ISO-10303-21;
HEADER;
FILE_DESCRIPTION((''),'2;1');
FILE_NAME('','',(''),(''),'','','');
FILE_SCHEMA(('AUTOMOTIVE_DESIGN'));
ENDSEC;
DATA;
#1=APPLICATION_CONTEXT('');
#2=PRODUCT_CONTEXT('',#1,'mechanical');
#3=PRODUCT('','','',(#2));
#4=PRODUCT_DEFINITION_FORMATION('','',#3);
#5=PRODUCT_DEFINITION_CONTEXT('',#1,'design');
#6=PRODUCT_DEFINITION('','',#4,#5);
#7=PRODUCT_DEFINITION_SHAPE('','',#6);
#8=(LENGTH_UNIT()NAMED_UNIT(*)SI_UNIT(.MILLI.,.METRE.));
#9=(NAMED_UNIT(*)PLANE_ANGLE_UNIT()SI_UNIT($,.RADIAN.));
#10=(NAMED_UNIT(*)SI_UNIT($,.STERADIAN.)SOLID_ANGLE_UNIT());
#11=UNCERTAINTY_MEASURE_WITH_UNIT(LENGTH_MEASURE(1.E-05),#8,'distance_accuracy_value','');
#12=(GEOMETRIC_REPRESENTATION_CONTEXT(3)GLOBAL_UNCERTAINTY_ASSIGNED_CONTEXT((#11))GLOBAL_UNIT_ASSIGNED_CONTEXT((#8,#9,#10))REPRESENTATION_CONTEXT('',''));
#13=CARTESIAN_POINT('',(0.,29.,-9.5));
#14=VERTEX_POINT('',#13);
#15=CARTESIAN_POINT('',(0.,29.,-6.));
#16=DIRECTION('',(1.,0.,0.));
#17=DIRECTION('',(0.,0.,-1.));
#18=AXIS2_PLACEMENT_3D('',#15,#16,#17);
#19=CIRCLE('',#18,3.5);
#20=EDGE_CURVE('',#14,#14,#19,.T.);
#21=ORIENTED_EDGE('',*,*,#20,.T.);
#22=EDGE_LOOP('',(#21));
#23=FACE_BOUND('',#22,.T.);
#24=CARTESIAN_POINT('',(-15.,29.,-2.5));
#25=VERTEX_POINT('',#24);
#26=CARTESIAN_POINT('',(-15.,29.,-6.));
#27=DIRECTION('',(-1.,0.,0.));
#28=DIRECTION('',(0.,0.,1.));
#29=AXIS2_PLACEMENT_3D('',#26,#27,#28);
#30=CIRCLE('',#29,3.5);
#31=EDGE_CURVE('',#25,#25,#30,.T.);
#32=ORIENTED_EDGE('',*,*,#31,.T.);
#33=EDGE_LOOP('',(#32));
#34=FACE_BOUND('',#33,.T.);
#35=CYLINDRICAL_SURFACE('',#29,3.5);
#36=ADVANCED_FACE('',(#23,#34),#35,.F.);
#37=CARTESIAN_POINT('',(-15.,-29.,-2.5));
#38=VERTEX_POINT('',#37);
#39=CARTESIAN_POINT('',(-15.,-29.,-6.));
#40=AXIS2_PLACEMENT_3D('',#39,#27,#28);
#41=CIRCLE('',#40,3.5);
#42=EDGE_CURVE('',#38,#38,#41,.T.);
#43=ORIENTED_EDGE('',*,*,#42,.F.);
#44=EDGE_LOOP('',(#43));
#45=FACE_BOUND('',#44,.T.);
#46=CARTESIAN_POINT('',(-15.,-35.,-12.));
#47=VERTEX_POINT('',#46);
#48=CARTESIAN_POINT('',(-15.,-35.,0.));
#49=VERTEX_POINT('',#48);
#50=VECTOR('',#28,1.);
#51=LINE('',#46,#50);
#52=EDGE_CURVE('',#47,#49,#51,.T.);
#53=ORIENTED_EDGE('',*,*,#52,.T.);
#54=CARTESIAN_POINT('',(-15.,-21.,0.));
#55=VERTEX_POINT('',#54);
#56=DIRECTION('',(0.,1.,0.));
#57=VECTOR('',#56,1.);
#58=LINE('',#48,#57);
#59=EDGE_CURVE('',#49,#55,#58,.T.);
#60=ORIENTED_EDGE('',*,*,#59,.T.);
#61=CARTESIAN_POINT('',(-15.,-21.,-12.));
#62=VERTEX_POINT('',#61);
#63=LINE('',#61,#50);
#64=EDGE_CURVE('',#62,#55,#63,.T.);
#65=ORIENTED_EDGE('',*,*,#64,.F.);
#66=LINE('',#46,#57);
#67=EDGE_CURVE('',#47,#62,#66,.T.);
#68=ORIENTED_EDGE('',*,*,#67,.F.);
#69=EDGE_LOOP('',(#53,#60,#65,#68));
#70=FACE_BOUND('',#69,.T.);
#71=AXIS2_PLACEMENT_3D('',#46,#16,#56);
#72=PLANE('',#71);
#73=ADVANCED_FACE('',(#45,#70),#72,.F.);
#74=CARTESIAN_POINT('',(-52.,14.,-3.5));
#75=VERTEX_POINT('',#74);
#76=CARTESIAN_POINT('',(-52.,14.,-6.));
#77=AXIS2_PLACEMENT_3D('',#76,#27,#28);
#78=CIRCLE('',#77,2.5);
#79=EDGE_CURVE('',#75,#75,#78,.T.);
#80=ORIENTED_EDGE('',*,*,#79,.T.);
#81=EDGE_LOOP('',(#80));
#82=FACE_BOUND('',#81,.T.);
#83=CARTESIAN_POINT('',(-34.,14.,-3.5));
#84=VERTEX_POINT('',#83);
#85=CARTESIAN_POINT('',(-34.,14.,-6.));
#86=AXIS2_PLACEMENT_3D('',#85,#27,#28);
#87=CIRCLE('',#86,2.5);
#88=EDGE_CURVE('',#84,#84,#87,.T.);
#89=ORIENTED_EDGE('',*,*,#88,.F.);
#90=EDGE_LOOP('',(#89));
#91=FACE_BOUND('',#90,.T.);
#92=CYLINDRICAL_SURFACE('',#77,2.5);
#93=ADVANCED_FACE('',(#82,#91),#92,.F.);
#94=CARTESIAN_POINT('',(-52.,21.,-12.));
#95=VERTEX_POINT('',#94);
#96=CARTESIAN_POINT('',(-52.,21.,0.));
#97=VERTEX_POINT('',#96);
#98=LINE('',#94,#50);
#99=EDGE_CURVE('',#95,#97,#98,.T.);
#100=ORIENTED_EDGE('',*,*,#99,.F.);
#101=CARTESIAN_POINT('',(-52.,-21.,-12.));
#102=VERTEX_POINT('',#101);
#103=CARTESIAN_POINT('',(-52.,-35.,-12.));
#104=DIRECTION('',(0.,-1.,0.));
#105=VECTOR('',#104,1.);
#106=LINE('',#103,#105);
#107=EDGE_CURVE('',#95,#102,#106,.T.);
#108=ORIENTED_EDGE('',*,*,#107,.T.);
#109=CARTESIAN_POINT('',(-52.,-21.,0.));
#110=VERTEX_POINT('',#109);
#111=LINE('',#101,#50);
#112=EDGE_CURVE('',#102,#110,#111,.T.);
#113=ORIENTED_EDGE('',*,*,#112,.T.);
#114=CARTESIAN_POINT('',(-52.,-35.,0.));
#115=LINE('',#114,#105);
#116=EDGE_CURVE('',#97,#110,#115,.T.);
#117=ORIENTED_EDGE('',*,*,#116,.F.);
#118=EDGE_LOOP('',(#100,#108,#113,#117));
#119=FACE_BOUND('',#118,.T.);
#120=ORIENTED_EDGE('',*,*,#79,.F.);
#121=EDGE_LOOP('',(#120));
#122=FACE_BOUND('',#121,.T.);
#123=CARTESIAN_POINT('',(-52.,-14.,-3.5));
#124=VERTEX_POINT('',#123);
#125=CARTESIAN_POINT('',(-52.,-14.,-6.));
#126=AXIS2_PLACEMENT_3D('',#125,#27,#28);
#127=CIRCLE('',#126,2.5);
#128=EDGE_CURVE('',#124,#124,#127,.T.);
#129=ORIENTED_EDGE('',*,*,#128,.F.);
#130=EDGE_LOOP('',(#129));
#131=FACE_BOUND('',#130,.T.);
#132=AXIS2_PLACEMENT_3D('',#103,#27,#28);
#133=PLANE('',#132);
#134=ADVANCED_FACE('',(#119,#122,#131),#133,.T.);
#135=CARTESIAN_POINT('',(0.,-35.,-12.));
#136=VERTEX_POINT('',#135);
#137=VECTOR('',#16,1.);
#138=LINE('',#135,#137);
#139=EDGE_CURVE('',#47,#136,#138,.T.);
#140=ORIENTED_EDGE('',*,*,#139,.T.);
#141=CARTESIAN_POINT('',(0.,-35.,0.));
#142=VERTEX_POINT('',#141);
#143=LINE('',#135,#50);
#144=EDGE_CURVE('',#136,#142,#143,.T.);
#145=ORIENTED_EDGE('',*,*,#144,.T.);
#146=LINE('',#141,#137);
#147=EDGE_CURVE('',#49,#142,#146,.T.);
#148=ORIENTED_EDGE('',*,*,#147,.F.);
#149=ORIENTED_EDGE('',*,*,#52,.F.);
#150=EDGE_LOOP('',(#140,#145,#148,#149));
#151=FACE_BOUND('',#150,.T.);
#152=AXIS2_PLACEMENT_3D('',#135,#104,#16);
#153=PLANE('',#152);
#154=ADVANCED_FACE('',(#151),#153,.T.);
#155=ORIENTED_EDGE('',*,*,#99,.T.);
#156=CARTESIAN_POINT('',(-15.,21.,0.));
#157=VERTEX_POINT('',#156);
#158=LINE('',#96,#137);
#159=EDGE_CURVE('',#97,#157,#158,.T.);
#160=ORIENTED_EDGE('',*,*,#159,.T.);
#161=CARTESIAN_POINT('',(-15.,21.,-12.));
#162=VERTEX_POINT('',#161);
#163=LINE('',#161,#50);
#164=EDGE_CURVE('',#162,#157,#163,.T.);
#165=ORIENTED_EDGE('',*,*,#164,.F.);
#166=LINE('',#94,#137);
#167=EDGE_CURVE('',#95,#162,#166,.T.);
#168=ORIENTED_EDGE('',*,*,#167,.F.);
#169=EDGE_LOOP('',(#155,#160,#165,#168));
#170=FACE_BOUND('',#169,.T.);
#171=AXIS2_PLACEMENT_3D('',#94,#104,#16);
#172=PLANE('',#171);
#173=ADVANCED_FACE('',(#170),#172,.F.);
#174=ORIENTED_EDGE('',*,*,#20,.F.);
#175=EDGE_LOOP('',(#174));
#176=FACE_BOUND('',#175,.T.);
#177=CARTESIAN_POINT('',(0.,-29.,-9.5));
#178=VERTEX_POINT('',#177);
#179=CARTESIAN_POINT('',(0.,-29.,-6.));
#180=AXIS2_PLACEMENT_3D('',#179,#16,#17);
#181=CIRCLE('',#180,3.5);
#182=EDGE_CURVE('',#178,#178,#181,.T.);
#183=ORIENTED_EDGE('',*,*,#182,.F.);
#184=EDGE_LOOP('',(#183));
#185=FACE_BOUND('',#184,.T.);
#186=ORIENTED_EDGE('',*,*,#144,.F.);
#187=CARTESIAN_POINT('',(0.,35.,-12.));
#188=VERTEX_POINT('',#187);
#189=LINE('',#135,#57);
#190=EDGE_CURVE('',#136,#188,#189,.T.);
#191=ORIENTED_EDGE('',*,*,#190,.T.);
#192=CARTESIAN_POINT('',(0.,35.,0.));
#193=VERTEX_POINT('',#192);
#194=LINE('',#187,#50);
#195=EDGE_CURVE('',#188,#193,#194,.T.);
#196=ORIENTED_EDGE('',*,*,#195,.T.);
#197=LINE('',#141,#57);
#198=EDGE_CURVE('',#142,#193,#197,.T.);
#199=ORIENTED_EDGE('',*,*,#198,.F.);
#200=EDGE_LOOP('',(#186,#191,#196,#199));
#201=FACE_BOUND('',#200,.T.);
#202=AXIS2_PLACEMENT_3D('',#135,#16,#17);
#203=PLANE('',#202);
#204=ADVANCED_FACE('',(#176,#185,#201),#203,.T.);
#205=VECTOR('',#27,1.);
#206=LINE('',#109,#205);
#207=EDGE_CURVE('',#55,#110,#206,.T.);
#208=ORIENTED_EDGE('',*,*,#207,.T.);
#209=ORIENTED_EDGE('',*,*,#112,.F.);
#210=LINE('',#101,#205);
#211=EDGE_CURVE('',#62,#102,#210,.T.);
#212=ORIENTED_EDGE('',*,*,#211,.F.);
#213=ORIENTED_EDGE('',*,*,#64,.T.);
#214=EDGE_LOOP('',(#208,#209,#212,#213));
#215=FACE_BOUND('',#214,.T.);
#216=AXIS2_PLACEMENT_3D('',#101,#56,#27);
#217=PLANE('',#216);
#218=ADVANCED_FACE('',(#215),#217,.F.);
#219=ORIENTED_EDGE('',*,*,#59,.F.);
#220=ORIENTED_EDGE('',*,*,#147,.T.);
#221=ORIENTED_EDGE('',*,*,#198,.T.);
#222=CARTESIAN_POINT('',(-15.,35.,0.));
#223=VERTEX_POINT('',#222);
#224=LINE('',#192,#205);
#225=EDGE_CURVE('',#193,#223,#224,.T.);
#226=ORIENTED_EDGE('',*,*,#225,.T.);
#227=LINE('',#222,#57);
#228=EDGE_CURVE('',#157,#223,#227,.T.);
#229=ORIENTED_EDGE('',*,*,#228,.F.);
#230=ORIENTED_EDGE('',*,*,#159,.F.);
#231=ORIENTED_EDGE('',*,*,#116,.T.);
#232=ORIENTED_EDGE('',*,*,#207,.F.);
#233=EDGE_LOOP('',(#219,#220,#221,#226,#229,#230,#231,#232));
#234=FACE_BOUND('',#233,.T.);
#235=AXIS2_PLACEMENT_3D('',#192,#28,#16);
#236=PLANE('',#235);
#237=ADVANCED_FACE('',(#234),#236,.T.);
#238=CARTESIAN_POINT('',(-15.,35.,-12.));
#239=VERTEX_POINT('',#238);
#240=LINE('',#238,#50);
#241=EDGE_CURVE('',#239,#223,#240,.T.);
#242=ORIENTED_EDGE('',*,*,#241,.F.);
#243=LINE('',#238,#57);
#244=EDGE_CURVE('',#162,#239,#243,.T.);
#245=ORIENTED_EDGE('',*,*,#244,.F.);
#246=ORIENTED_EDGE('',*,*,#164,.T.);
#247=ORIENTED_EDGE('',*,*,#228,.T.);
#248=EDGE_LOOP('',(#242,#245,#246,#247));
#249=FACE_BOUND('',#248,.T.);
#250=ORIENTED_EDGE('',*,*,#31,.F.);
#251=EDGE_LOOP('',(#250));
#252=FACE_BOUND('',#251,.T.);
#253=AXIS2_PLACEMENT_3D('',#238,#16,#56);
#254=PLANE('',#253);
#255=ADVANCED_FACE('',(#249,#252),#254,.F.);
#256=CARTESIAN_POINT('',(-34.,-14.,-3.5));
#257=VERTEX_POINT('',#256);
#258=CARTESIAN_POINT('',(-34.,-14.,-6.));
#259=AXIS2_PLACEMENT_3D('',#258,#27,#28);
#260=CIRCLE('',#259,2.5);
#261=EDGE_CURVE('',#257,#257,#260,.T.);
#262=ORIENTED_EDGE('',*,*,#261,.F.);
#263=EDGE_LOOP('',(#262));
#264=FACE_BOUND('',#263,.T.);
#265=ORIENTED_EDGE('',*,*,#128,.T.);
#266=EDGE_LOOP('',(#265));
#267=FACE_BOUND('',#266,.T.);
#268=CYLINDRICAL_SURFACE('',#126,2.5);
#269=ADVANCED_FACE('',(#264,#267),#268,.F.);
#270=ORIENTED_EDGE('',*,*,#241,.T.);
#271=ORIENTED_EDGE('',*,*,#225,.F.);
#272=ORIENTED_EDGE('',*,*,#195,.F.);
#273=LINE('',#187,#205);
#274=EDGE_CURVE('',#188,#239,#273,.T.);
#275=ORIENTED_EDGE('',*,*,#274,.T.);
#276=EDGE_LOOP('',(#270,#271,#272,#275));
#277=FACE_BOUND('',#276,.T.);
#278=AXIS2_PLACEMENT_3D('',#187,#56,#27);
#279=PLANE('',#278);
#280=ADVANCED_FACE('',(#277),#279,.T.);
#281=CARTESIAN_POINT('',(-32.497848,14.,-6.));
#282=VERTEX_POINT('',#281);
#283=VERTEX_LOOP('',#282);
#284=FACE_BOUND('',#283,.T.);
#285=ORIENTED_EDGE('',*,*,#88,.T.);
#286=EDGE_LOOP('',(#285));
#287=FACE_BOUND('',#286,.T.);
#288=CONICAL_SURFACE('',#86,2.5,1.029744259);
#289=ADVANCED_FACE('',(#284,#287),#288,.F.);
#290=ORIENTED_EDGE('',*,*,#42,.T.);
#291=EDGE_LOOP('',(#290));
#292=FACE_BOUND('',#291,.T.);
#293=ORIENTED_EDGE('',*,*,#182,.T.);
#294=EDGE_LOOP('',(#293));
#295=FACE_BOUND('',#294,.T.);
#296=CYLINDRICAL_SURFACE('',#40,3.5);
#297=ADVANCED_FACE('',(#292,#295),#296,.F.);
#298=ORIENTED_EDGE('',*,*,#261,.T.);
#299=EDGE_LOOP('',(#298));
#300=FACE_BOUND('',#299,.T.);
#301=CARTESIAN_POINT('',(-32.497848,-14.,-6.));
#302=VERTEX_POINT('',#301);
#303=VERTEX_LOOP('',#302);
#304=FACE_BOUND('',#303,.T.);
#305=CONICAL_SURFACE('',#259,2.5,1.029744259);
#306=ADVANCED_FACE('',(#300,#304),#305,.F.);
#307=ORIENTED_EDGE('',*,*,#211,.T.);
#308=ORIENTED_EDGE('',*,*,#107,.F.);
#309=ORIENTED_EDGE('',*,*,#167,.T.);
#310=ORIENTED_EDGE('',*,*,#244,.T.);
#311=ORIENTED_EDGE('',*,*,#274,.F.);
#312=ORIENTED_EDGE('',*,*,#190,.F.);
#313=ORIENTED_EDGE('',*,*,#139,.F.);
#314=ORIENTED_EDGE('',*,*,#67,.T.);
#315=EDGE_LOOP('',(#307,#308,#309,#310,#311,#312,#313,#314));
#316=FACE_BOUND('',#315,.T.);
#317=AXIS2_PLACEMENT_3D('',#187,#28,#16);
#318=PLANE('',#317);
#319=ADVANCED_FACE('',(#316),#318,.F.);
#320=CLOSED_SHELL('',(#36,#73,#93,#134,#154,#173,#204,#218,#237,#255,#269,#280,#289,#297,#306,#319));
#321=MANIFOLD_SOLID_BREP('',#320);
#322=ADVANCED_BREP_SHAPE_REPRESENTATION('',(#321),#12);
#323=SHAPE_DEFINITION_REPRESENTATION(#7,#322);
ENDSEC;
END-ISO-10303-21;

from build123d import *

# Parameters (mm, degrees)
SKETCH1_W                    = 52
SKETCH1_H                    = 70
BOSS_EXTRUDE1_DEPTH          = 12
SKETCH2_W                    = 37
SKETCH2_H                    = 14
CUT_EXTRUDE1_DEPTH           = 64.820059542
F_7_0_7_DIAMETER_HOLE1_D     = 7
F_7_0_7_DIAMETER_HOLE1_DEPTH = 60
F_7_0_7_DIAMETER_HOLE1_TIP   = 2.103012167
M6X1_0_TAPPED_HOLE1_D        = 5
M6X1_0_TAPPED_HOLE1_DEPTH    = 18
M6X1_0_TAPPED_HOLE1_TIP      = 1.502151548


with BuildPart() as part:
    # Sketch1 → Boss-Extrude1 (new body)
    with BuildSketch(Plane.XY):
        with Locations((-26, 0)):
            Rectangle(SKETCH1_W, SKETCH1_H)
    extrude(amount=-BOSS_EXTRUDE1_DEPTH)

    # Sketch2 → Cut-Extrude1 (cut, through all)
    with BuildSketch(Plane.XY):
        with Locations((-33.5, 28)):
            Rectangle(SKETCH2_W, SKETCH2_H)
        with Locations((-33.5, -28)):
            Rectangle(SKETCH2_W, SKETCH2_H)
    extrude(amount=-CUT_EXTRUDE1_DEPTH, mode=Mode.SUBTRACT)

    # Ø7.0 (7) Diameter Hole1
    with Locations(Plane.ZY.offset(15)):
        with Locations((-6, 29), (-6, -29)):
            Hole(F_7_0_7_DIAMETER_HOLE1_D / 2, depth=F_7_0_7_DIAMETER_HOLE1_DEPTH)
            with Locations((0, 0, -(F_7_0_7_DIAMETER_HOLE1_DEPTH + F_7_0_7_DIAMETER_HOLE1_TIP / 2))):  # 118° drill point
                Cone(0, F_7_0_7_DIAMETER_HOLE1_D / 2, F_7_0_7_DIAMETER_HOLE1_TIP, mode=Mode.SUBTRACT)

    # M6x1.0 Tapped Hole1
    with Locations(Plane.ZY.offset(52)):
        with Locations((-6, 14), (-6, -14)):
            Hole(M6X1_0_TAPPED_HOLE1_D / 2, depth=M6X1_0_TAPPED_HOLE1_DEPTH)
            with Locations((0, 0, -(M6X1_0_TAPPED_HOLE1_DEPTH + M6X1_0_TAPPED_HOLE1_TIP / 2))):  # 118° drill point
                Cone(0, M6X1_0_TAPPED_HOLE1_D / 2, M6X1_0_TAPPED_HOLE1_TIP, mode=Mode.SUBTRACT)


solid = part.part
